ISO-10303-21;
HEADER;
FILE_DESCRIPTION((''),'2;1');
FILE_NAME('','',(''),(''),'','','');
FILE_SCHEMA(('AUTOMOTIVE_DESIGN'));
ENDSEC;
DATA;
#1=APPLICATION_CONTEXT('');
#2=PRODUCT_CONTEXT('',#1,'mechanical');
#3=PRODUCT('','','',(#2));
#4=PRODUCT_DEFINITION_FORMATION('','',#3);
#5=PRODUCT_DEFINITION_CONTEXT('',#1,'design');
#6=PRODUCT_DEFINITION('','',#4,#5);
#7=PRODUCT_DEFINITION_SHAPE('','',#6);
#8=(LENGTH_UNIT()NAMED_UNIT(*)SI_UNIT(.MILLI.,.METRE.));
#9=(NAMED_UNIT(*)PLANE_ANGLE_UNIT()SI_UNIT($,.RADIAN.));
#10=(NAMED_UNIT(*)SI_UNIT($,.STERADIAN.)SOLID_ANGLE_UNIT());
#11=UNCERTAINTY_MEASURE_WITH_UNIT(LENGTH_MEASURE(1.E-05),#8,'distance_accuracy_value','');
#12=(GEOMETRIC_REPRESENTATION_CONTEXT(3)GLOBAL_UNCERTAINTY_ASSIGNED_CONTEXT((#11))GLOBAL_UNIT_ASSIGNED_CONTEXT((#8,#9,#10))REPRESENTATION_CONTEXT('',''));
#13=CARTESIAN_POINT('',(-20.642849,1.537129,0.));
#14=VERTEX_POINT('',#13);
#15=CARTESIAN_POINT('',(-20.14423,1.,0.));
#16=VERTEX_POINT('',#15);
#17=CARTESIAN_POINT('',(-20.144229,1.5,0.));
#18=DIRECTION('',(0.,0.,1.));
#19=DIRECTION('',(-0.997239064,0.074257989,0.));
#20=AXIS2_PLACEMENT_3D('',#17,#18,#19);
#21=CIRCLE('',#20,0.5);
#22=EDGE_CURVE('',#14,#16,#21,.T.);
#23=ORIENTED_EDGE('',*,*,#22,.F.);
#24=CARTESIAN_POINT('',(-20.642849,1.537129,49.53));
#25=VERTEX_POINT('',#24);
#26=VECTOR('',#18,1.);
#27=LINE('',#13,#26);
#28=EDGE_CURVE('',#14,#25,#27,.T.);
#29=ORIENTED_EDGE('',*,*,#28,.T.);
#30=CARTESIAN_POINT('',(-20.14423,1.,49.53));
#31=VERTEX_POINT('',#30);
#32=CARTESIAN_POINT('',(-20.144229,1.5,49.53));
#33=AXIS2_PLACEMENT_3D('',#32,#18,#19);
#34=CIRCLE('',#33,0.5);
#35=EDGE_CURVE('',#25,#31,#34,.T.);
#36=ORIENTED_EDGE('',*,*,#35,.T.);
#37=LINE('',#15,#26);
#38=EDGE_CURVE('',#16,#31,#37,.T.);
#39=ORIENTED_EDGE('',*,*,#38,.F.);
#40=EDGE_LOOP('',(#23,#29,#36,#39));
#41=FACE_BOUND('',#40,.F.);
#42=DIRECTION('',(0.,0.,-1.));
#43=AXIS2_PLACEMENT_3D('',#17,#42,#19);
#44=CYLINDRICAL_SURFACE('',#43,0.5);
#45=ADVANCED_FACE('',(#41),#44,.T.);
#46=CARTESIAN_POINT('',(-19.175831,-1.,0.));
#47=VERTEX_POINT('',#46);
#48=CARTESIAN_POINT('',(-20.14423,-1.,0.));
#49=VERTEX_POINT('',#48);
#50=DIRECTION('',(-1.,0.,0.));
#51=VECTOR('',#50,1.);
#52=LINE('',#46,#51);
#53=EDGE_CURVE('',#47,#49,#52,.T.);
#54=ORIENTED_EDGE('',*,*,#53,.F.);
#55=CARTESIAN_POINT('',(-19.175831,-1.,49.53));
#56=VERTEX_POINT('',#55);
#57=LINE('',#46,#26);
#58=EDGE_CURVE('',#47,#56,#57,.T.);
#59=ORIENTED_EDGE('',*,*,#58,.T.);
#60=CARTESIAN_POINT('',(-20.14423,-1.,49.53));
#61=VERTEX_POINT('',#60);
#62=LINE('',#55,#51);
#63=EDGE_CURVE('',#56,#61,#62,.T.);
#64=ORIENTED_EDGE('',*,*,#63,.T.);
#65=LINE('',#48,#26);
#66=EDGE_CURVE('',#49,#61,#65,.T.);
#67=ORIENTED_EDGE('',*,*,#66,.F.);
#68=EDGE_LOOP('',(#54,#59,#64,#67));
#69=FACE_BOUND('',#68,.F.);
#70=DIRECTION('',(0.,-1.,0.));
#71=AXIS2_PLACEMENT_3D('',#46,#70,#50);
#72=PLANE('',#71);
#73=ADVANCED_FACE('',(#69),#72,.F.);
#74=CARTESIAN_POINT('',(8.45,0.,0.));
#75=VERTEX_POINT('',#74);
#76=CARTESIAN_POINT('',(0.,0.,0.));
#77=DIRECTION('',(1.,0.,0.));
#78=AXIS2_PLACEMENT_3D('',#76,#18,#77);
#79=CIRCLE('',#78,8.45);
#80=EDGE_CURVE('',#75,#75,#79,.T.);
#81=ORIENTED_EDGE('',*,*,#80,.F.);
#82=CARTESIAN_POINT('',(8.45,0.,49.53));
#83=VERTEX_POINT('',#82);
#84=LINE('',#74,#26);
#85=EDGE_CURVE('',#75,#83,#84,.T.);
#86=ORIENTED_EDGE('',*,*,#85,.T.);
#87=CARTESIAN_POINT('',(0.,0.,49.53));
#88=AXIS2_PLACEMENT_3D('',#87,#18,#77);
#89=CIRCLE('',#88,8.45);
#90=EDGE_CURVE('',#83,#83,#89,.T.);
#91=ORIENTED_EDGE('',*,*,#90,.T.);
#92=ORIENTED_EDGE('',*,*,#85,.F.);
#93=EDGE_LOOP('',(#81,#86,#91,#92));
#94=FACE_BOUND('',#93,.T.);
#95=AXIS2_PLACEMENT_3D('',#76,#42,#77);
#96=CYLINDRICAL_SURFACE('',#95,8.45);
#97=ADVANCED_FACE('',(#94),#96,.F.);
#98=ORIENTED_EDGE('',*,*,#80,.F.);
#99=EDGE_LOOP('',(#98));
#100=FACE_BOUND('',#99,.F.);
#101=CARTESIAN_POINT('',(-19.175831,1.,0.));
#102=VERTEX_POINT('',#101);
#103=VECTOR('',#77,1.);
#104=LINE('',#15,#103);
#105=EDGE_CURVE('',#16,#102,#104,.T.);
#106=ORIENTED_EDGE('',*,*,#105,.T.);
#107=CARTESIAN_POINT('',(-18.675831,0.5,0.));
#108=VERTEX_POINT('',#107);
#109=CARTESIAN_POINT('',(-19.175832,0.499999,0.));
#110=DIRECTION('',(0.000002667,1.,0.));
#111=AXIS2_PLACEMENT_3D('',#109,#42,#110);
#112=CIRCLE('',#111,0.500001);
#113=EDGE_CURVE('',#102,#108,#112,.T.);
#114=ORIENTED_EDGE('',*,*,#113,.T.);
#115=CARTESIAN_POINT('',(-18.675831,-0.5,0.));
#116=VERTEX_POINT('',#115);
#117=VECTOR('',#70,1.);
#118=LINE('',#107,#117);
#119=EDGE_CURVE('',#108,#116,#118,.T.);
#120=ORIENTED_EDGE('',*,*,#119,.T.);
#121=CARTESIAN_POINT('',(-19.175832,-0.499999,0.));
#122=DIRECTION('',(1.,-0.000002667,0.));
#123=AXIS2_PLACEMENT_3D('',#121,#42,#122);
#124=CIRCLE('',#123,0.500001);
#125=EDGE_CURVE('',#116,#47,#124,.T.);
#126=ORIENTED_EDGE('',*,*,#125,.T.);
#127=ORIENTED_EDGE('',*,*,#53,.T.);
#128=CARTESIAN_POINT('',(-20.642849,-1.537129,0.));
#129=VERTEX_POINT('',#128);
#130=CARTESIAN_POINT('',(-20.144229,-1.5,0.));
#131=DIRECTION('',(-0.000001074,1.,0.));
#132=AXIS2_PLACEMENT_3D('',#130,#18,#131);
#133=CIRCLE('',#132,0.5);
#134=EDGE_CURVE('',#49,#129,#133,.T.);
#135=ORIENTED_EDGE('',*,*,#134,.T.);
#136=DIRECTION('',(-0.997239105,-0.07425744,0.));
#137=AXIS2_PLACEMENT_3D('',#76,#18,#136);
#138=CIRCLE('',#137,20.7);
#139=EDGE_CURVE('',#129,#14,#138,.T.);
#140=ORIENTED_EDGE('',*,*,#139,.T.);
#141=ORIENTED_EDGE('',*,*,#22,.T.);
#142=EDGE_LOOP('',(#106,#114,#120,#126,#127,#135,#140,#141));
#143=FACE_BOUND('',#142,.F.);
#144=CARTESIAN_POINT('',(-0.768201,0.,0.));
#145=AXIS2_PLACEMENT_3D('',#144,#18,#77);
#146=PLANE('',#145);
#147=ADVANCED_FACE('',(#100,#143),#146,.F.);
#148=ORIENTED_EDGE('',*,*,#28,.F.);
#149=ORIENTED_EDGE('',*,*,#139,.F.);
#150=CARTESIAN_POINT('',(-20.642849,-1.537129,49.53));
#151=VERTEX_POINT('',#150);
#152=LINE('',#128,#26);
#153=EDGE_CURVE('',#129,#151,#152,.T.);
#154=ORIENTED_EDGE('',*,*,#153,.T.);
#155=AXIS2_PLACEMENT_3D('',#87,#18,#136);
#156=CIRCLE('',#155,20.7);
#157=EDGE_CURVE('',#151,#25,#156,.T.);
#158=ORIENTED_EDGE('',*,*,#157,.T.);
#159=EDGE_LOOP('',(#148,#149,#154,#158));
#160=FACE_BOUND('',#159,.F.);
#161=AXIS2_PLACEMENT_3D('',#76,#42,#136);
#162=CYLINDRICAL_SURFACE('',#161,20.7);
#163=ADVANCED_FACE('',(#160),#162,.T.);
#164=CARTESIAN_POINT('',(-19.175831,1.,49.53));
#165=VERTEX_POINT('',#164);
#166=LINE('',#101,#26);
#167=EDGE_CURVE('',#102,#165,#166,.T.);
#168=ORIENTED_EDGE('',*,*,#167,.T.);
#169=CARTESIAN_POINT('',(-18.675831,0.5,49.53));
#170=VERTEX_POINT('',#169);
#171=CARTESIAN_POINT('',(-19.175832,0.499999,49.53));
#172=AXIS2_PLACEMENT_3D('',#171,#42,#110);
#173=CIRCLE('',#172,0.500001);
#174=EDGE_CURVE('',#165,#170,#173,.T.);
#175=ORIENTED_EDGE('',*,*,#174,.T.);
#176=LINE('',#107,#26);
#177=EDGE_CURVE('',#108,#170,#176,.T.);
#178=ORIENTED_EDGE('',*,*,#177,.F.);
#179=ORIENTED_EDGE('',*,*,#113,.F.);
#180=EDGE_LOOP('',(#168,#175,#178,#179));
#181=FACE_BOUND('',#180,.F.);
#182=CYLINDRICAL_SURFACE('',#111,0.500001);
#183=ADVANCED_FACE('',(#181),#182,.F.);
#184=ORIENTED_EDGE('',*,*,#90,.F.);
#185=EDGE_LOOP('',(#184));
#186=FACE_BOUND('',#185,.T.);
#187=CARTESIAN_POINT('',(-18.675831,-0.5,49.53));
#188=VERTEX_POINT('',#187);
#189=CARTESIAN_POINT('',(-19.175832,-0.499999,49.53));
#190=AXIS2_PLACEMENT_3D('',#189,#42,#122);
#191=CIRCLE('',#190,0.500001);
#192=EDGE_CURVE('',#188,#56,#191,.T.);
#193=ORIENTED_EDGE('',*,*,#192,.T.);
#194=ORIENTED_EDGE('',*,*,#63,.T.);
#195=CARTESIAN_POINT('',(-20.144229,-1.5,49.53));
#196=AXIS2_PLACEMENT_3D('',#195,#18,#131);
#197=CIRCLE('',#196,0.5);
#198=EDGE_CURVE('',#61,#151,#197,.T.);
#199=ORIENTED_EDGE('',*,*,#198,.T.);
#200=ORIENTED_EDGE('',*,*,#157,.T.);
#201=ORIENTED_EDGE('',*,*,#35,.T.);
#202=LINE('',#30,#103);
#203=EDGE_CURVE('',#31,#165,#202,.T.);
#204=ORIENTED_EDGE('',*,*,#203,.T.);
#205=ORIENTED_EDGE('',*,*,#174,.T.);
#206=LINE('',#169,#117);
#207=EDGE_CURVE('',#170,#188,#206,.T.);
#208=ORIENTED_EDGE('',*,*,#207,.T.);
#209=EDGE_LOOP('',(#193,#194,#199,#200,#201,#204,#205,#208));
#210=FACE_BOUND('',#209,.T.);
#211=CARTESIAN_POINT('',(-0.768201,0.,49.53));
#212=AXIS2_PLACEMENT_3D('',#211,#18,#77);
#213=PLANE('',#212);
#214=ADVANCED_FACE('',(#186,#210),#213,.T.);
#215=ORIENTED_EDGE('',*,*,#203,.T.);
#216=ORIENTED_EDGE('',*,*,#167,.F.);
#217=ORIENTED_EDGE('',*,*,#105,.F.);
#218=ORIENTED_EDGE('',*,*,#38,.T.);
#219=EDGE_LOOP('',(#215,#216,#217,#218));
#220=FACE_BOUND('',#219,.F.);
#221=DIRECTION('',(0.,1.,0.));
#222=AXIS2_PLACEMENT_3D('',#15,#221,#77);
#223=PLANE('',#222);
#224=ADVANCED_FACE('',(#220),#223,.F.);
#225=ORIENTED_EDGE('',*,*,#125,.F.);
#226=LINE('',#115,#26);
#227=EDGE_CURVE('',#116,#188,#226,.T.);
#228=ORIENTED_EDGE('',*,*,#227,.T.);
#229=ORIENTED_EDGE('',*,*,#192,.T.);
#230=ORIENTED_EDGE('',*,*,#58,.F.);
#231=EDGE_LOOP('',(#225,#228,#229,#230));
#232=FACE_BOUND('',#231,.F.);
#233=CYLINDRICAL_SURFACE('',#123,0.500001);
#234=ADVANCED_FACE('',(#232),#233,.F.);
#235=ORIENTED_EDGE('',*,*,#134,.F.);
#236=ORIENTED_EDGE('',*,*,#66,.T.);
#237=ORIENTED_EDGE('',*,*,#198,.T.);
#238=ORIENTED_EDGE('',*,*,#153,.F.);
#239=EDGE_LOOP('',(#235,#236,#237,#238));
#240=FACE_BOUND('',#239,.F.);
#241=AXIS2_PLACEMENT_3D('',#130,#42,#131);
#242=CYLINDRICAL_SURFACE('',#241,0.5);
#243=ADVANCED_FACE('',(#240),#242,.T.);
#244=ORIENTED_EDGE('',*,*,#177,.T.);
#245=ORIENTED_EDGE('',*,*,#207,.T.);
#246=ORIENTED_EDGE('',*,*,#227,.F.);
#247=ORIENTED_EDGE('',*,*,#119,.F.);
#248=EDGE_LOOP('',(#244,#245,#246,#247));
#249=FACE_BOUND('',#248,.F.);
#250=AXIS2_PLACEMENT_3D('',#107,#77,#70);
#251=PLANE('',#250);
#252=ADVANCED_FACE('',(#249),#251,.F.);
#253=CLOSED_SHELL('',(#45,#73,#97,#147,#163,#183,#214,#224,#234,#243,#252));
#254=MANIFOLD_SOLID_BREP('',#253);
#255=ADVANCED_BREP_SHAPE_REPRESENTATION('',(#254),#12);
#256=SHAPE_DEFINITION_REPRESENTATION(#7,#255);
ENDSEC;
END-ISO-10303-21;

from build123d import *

# Parameters (mm, degrees)
F0_R     = 8.45
F1_DEPTH = 49.53


with BuildPart() as f1:
    # F0 (on Top) → F1 (new body)
    with BuildSketch(Plane.XY):
        with BuildLine():
            ThreePointArc((-20.14423, -1), (-20.510675, -1.159827), (-20.642849, -1.537129))
            ThreePointArc((-20.642849, -1.537129), (20.7, 0), (-20.642849, 1.537129))
            ThreePointArc((-20.642849, 1.537129), (-20.510675, 1.159827), (-20.14423, 1))
            Line((-20.14423, 1), (-19.175831, 1))
            ThreePointArc((-19.175831, 1), (-18.822278, 0.853553), (-18.675831, 0.5))
            Line((-18.675831, 0.5), (-18.675831, -0.5))
            ThreePointArc((-18.675831, -0.5), (-18.822278, -0.853553), (-19.175831, -1))
            Line((-19.175831, -1), (-20.14423, -1))
        make_face()
        Circle(F0_R, mode=Mode.SUBTRACT)
    extrude(amount=F1_DEPTH)


solid = f1.part
